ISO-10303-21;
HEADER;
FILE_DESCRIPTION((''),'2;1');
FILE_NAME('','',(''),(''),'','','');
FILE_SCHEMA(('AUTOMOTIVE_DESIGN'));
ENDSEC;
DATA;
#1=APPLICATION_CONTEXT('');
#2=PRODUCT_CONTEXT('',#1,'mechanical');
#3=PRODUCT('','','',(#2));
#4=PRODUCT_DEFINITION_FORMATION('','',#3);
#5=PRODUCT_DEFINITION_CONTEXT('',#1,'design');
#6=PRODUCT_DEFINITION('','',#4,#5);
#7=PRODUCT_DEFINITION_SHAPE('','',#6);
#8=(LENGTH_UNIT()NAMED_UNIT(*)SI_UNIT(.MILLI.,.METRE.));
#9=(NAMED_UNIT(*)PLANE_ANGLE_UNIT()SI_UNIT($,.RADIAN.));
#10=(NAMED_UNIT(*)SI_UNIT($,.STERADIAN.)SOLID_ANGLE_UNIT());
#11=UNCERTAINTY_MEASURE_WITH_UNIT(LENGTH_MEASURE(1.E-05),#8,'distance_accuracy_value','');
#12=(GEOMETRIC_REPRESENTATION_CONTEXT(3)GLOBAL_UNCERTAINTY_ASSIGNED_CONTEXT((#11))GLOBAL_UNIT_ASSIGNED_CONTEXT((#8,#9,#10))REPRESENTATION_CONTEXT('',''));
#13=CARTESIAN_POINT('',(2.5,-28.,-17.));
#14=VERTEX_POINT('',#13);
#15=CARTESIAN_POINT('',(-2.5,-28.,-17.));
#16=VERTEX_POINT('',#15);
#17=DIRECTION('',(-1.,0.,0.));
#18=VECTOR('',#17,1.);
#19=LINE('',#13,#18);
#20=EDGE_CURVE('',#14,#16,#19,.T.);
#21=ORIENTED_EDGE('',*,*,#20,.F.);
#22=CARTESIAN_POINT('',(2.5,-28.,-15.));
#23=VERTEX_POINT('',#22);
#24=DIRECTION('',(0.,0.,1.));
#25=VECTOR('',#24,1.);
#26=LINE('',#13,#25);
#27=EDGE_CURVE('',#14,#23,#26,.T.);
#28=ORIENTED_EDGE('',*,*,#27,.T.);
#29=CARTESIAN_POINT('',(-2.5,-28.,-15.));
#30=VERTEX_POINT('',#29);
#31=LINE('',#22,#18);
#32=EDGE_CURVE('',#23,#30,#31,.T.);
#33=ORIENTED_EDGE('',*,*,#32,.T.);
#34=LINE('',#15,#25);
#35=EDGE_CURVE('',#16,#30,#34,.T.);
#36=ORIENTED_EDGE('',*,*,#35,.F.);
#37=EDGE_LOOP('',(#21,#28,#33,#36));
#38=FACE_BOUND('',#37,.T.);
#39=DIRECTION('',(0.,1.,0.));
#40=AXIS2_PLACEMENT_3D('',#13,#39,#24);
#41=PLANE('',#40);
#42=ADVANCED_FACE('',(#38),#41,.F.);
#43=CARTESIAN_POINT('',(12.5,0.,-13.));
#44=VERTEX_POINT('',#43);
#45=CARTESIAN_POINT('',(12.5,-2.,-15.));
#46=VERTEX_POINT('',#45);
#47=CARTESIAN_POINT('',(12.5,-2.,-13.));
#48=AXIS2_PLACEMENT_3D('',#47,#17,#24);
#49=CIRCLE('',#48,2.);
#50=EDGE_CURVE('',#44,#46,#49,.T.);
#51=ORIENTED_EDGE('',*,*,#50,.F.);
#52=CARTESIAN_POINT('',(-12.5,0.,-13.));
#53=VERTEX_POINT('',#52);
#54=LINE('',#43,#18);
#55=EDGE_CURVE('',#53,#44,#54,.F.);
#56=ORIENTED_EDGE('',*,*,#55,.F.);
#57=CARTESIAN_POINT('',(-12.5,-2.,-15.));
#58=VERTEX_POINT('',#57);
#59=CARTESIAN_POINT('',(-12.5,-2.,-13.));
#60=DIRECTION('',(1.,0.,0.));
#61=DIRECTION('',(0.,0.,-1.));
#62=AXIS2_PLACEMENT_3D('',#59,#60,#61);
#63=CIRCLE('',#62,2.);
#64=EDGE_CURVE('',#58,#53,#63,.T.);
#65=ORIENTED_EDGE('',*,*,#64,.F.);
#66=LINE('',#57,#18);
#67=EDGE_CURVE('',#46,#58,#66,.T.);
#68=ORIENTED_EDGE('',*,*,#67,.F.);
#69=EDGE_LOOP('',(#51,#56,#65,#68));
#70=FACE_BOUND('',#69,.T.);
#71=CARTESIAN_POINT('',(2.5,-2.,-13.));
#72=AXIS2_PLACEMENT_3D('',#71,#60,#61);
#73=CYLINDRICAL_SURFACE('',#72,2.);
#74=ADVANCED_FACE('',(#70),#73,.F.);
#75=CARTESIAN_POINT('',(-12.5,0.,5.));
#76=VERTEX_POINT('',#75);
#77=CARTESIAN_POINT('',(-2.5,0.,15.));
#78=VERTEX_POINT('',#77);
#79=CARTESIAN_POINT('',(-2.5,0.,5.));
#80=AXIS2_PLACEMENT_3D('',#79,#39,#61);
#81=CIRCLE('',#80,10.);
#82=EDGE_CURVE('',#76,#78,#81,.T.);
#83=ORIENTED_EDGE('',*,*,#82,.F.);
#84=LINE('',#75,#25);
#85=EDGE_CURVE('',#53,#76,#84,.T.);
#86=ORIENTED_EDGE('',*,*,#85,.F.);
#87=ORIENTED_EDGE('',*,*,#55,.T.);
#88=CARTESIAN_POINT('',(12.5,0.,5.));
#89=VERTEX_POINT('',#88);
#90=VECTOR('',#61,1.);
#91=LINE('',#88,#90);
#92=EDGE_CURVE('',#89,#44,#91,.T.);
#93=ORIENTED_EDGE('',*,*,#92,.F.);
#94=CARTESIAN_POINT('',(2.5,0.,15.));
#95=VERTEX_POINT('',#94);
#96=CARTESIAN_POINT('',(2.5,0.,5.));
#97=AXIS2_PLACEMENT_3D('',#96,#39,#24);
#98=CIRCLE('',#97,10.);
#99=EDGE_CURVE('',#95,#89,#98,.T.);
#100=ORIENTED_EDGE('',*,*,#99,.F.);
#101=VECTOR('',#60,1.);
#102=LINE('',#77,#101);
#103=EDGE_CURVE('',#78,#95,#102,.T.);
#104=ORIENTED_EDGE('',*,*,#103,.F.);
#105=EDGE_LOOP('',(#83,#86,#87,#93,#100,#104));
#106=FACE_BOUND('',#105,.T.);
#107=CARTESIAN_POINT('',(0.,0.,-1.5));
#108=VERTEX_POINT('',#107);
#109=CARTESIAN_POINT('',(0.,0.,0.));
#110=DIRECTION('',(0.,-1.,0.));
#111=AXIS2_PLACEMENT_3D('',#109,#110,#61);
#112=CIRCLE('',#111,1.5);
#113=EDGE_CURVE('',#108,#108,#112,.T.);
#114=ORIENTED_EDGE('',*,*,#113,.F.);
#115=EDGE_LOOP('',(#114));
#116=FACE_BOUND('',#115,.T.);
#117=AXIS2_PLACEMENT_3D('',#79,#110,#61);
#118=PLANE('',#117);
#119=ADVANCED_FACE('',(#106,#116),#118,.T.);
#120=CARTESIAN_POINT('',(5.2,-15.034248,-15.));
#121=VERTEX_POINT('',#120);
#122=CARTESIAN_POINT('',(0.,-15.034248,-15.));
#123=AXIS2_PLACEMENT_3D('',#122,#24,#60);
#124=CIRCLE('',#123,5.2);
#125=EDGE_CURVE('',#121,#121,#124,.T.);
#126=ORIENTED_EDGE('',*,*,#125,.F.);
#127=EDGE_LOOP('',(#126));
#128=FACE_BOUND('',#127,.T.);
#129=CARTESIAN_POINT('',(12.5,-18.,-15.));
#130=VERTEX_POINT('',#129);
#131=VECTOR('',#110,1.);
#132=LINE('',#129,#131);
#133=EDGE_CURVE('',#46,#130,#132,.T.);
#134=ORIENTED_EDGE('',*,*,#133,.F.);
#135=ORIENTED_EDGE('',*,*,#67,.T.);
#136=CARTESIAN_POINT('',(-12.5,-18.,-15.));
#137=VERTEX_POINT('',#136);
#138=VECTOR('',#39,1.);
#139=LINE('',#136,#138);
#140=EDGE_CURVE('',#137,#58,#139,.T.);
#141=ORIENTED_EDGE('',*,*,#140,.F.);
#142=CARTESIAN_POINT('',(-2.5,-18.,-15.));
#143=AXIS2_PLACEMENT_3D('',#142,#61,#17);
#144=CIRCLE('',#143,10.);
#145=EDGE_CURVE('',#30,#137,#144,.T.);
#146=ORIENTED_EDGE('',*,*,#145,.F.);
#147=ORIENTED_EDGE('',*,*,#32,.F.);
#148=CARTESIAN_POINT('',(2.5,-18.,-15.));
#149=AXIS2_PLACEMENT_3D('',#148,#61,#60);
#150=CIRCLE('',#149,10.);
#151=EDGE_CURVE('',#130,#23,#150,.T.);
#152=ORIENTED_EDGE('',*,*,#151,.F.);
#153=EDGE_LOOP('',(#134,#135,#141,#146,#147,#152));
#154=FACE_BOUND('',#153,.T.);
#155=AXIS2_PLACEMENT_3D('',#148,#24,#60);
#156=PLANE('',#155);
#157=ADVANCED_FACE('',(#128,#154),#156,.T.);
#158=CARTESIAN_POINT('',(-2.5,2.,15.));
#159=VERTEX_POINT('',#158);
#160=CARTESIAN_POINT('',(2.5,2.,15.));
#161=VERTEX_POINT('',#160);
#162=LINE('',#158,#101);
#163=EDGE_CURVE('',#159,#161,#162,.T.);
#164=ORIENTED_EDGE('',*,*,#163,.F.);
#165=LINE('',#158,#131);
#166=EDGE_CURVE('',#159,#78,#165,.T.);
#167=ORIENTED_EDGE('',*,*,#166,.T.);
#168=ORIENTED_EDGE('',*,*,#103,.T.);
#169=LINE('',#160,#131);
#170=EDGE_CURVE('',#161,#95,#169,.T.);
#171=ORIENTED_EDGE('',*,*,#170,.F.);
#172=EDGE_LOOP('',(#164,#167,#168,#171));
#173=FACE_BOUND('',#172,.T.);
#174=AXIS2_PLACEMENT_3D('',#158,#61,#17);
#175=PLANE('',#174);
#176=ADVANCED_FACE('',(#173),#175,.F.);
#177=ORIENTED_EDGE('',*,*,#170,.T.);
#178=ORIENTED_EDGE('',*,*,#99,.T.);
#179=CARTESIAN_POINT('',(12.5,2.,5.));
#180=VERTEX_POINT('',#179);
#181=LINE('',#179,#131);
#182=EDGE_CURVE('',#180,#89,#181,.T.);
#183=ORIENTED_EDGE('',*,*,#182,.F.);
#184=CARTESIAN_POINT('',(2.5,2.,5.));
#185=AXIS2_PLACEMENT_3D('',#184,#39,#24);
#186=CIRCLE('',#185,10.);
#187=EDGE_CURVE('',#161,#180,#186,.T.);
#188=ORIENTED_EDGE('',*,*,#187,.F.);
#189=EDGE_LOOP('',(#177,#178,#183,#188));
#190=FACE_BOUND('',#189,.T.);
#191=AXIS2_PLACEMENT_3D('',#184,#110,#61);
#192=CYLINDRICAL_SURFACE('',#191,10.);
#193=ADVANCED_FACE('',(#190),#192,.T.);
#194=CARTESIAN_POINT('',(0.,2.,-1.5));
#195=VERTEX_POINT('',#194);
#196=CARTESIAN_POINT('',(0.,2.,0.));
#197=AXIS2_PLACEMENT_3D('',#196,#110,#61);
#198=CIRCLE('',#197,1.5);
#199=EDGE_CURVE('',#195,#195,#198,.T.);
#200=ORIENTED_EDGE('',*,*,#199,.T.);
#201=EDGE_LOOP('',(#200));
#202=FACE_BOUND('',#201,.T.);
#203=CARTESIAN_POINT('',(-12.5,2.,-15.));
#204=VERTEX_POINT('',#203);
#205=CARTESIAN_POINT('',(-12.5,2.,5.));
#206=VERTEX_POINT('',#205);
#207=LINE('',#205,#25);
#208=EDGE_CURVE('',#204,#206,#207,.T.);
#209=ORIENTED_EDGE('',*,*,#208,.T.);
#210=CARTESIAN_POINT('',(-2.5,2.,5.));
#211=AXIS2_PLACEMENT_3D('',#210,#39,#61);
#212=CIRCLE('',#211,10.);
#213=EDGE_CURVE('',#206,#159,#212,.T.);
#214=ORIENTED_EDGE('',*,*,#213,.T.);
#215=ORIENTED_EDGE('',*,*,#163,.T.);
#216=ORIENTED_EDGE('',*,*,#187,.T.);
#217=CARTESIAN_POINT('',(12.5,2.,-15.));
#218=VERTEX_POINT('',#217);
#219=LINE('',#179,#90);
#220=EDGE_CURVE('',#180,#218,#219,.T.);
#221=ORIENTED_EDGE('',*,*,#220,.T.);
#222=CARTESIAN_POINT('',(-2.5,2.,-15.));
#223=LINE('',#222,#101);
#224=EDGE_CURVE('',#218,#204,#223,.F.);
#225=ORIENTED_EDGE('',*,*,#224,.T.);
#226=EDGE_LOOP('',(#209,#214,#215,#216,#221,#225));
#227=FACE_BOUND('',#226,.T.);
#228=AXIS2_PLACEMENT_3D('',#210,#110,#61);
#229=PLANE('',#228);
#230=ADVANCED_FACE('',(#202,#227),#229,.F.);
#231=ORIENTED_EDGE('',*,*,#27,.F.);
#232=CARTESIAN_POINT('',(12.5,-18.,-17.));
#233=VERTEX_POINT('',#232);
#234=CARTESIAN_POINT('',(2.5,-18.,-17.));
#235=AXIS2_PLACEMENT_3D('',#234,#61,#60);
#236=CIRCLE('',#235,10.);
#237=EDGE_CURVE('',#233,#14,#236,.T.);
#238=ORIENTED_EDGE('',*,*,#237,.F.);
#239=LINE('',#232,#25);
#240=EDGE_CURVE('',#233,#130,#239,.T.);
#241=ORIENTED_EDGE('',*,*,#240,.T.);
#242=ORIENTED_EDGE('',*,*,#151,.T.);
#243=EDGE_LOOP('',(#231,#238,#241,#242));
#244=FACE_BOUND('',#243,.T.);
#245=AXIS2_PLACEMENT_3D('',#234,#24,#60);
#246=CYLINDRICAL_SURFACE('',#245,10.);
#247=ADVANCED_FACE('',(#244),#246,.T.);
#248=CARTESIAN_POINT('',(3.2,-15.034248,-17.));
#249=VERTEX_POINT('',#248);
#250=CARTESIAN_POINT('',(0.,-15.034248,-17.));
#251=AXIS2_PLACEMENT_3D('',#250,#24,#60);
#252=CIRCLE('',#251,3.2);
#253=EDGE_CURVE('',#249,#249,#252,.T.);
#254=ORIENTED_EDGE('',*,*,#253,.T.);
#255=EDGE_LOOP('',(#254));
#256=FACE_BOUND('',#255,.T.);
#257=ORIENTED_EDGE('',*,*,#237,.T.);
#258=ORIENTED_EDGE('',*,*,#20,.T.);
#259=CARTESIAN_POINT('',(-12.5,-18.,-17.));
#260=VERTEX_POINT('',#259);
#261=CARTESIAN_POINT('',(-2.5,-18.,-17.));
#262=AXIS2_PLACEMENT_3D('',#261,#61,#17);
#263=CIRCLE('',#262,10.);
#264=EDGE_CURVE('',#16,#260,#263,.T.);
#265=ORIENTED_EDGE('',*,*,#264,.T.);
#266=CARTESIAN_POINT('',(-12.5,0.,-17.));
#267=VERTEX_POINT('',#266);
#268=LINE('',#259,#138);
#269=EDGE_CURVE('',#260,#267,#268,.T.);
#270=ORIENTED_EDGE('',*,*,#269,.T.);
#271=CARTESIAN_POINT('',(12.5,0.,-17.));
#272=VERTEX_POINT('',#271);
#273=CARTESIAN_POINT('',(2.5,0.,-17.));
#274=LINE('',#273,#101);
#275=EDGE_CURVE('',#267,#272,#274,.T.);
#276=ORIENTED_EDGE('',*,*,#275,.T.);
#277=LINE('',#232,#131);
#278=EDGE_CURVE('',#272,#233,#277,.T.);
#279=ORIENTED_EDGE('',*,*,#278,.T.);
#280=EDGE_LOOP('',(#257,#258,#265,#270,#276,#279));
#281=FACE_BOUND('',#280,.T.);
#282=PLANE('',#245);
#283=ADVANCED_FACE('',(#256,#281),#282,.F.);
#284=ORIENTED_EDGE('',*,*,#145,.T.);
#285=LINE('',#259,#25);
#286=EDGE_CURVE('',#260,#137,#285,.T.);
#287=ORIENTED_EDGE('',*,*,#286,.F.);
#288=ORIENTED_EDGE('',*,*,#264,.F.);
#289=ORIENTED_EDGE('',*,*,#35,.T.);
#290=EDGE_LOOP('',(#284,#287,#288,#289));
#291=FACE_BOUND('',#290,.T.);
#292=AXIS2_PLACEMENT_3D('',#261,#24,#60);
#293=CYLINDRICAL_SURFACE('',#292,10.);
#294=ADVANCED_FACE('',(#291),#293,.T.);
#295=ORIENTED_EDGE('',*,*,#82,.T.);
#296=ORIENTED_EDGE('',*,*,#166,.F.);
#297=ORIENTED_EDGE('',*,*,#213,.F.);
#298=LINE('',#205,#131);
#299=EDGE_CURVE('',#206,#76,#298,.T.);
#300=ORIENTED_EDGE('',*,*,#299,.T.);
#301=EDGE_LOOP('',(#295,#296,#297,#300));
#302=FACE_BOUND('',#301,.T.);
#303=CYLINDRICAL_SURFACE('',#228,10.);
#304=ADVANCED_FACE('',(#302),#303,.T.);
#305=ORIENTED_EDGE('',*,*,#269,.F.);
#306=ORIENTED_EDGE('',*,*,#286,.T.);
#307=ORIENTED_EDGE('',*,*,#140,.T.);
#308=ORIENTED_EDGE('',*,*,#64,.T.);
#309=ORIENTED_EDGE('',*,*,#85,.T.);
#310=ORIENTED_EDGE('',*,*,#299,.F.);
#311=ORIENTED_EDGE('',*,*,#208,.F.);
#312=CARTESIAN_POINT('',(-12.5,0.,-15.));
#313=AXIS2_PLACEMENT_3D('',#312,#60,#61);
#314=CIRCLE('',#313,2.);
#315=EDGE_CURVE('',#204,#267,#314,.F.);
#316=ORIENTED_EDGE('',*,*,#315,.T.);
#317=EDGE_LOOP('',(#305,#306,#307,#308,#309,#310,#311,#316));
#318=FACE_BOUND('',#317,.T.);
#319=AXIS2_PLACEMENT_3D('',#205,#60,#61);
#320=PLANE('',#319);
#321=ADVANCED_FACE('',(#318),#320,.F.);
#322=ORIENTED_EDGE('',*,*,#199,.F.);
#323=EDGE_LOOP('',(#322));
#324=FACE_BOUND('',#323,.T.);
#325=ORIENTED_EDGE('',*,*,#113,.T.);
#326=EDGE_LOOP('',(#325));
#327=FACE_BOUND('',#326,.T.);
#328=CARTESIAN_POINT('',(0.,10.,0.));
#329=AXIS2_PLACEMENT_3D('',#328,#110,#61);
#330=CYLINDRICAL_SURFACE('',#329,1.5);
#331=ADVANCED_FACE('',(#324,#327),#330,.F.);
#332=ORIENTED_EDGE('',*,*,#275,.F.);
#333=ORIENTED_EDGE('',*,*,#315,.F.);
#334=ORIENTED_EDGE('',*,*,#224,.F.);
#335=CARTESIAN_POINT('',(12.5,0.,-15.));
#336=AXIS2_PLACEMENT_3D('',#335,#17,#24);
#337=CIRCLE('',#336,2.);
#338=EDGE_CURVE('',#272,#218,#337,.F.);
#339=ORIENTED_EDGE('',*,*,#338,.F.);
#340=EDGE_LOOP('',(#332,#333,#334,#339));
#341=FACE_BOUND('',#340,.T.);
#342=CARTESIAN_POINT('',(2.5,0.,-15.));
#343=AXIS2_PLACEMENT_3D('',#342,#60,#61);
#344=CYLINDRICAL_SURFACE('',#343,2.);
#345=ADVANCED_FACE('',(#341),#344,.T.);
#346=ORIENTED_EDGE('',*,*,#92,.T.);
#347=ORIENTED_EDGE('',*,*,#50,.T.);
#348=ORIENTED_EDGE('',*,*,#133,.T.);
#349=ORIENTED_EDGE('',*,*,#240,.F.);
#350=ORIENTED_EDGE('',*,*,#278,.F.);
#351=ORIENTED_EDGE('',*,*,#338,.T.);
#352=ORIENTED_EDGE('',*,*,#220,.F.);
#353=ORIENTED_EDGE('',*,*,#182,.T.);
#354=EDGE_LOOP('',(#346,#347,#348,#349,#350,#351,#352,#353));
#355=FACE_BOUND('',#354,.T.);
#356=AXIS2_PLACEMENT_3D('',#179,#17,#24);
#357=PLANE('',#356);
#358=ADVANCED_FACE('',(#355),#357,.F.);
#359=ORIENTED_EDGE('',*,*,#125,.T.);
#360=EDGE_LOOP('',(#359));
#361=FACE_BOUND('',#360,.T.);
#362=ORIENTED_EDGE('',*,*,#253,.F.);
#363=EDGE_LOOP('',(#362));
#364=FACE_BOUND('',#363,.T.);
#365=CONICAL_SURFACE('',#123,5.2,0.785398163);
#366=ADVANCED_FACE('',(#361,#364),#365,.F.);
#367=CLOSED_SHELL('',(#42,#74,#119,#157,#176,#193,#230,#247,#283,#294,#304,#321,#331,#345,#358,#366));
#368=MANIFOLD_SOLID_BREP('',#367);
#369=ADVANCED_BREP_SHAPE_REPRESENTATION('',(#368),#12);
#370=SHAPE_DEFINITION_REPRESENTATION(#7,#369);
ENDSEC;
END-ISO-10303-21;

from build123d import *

# Parameters (mm, degrees)
EXTRUDE_1_DEPTH     = 2
EXTRUDE_2_DEPTH     = 2
FILLET_1_R          = 2
FILLET_2_R          = 2
SKETCH_8_R          = 1.5
CUT_EXTRUDE_1_DEPTH = 10


with BuildPart() as part:
    # Эскиз1 → Бобышка-Вытянуть1 (new body)
    with BuildSketch(Plane(origin=(0, 0, 0), x_dir=(1, 0, 0), z_dir=(0, 1, 0))):
        with BuildLine():
            Line((-2.5, -15), (2.5, -15))
            ThreePointArc((2.5, -15), (9.571067812, -12.071067812), (12.5, -5))
            Line((12.5, -5), (12.5, 15))
            Line((12.5, 15), (-12.5, 15))
            Line((-12.5, 15), (-12.5, -5))
            ThreePointArc((-12.5, -5), (-9.571067812, -12.071067812), (-2.5, -15))
        make_face()
    extrude(amount=EXTRUDE_1_DEPTH)

    # Эскиз3 → Бобышка-Вытянуть2 (add)
    with BuildSketch(Plane(origin=(0, 0, -15), x_dir=(-1, 0, 0), z_dir=(0, 0, -1))):
        with BuildLine():
            Line((-2.5, -28), (2.5, -28))
            ThreePointArc((2.5, -28), (9.571067812, -25.071067812), (12.5, -18))
            Line((12.5, -18), (12.5, 2))
            Line((12.5, 2), (-12.5, 2))
            Line((-12.5, 2), (-12.5, -18))
            ThreePointArc((-12.5, -18), (-9.571067812, -25.071067812), (-2.5, -28))
        make_face()
    extrude(amount=EXTRUDE_2_DEPTH)

    # Скругление1
    fillet_1_edges = [part.edges().sort_by_distance(p)[0] for p in [
        (0, 0, -15),
    ]]
    fillet(fillet_1_edges, radius=FILLET_1_R)

    # Скругление2
    fillet_2_edges = [part.edges().sort_by_distance(p)[0] for p in [
        (0, 2, -17),
    ]]
    fillet(fillet_2_edges, radius=FILLET_2_R)

    # Эскиз7 → Зенковка для винта с полупотайной головкой M52 (revolve, cut)
    with BuildSketch(Plane(origin=(0, -15.034247801, -15), x_dir=(0, -1, 0), z_dir=(1, 0, 0))):
        Polygon((0, 0), (0, 2), (2.75, 2), (2.75, 2.45), (5.2, 0), align=None)
    revolve(axis=Axis((0, -15.034247801, -8.65), (0, 0, -1)), mode=Mode.SUBTRACT)

    # Эскиз8 → Вырез-Вытянуть1 (cut)
    with BuildSketch(Plane.XZ):
        Circle(SKETCH_8_R)
    extrude(amount=-CUT_EXTRUDE_1_DEPTH, mode=Mode.SUBTRACT)


solid = part.part
